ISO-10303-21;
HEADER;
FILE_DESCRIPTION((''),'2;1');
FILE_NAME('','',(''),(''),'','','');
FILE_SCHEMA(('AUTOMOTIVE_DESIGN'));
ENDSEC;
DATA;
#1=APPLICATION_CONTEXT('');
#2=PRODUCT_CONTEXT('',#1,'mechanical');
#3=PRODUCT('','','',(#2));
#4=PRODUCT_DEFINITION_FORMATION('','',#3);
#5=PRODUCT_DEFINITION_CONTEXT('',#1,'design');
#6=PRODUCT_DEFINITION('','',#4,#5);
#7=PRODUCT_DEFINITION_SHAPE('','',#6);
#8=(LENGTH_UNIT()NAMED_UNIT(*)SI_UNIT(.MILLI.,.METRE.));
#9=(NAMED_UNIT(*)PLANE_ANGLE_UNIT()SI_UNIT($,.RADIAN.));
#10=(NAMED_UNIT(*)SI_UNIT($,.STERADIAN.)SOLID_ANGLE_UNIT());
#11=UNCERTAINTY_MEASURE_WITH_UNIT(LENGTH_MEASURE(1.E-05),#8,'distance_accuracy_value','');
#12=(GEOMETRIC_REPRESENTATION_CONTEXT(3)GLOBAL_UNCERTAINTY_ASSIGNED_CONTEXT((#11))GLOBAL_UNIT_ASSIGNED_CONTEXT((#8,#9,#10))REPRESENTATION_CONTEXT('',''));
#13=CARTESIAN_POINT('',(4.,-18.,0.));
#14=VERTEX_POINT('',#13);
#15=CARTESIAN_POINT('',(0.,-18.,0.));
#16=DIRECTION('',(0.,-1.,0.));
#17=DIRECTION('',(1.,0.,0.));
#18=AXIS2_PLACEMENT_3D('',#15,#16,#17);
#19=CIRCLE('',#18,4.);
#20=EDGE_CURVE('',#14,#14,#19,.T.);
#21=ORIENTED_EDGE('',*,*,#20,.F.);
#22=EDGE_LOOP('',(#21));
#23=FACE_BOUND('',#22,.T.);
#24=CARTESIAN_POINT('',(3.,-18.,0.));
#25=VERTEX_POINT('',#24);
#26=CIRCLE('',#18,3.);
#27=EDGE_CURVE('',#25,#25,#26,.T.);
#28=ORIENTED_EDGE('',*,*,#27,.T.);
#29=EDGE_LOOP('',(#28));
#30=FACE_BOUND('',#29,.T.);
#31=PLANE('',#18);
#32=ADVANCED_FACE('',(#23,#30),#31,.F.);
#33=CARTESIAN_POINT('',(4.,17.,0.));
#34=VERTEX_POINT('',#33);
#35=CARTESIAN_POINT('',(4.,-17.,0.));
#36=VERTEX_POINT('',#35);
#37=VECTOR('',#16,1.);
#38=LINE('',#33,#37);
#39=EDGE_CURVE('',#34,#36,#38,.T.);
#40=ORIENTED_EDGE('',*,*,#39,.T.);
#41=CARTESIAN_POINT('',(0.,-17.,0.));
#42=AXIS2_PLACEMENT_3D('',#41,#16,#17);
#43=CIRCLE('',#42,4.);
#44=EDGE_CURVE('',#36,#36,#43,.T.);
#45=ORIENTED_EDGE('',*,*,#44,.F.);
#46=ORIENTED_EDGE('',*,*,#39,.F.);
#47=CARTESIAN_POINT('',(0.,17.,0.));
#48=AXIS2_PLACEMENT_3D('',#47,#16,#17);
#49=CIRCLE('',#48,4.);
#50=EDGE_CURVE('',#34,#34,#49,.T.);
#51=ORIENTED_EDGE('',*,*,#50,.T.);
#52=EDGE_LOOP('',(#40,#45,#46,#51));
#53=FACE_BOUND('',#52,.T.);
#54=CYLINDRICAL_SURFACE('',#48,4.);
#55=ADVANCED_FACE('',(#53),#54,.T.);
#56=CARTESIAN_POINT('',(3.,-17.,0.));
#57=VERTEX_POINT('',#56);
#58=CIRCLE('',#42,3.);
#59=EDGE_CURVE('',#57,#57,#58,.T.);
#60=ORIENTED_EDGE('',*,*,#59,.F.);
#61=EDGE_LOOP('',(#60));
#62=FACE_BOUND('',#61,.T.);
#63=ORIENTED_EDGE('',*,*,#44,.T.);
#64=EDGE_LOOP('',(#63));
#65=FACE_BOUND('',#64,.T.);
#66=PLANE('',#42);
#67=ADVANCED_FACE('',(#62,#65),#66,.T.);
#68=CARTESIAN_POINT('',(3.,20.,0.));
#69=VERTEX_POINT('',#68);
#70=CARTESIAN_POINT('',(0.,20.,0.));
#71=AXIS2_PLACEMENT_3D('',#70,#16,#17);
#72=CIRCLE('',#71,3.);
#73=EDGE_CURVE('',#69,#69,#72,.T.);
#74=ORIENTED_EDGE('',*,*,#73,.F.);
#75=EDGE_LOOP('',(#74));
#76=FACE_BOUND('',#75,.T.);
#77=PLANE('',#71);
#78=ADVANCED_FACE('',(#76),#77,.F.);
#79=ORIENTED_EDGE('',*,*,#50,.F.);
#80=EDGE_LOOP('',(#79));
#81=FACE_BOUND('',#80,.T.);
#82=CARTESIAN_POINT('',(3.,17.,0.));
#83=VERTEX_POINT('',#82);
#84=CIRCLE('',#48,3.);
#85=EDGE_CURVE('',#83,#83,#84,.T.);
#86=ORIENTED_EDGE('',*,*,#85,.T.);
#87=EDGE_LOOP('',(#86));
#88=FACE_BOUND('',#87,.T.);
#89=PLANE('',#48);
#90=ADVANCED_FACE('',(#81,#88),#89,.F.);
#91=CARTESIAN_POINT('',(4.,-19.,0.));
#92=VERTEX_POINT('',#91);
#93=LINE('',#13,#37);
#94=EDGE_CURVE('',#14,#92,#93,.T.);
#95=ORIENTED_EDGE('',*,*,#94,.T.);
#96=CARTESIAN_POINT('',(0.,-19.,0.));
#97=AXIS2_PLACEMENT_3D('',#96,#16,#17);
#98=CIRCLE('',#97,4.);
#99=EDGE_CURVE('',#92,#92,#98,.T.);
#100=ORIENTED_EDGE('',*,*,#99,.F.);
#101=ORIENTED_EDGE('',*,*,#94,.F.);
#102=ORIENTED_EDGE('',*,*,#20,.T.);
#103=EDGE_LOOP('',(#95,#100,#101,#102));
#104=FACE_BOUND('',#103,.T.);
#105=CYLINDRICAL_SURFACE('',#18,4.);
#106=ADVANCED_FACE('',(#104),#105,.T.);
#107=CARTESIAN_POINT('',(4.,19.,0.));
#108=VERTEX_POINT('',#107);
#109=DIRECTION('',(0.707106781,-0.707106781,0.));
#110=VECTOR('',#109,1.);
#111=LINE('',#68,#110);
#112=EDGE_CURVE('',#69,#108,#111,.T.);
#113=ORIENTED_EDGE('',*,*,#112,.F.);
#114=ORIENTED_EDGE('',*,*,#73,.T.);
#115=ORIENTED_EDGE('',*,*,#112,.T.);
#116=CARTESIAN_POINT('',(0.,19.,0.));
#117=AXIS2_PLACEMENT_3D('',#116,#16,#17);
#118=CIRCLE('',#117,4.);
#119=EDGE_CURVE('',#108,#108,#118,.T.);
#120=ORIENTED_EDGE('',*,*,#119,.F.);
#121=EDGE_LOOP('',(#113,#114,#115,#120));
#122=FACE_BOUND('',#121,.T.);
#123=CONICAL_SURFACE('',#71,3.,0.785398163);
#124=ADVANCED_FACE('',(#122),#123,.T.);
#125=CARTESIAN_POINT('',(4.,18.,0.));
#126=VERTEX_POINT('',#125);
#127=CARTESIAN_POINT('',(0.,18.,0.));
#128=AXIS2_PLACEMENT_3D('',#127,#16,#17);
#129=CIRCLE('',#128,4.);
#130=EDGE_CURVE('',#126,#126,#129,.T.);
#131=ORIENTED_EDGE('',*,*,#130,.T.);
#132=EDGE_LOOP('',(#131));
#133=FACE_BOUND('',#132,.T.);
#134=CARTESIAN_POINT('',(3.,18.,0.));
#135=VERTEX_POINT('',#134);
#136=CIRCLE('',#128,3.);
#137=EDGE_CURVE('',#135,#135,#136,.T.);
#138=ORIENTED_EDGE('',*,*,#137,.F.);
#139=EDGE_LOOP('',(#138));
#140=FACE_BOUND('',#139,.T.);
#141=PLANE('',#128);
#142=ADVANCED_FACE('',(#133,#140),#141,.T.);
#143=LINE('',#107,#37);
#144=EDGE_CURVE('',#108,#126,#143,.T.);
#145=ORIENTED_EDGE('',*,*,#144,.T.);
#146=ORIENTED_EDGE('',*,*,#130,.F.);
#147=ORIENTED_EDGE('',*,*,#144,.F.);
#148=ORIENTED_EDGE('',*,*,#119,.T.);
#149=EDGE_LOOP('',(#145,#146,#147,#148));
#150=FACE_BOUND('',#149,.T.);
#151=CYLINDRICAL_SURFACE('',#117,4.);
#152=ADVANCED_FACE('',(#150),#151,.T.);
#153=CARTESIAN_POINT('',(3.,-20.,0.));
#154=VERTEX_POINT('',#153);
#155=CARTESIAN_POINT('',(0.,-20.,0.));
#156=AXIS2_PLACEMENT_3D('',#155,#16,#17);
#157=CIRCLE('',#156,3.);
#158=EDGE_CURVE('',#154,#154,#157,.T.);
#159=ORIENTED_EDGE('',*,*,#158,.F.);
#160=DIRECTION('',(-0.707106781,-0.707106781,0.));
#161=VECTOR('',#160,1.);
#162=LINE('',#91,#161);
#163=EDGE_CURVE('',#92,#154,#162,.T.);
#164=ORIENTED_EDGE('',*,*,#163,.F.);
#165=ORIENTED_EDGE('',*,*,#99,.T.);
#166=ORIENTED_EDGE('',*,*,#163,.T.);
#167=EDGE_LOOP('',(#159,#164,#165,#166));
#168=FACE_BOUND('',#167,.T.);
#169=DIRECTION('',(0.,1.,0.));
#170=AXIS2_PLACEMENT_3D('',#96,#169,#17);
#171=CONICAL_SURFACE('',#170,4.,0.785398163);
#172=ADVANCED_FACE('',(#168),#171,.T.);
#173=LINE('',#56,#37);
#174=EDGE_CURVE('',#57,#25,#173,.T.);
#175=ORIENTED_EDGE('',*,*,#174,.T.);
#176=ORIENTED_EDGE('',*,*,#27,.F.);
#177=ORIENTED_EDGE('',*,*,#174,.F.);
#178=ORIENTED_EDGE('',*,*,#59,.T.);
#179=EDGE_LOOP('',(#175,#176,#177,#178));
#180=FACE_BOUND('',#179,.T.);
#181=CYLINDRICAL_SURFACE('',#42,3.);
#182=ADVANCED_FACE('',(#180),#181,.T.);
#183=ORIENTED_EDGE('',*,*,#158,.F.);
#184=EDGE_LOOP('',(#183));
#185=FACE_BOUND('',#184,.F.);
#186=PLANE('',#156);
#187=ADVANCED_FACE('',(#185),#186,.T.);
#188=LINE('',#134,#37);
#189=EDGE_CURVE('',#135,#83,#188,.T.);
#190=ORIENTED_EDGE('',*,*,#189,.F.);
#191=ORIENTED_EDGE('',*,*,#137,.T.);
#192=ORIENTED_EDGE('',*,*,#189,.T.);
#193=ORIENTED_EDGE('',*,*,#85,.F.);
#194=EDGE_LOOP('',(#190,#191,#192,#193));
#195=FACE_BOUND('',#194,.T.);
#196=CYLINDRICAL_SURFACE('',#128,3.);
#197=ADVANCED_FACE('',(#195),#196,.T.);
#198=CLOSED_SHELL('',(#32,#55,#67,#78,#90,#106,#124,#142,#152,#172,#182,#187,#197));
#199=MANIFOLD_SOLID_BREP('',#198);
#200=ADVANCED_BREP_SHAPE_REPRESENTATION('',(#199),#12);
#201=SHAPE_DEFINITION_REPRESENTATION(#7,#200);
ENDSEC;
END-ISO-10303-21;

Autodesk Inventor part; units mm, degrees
ref_plane "YZ Plane" through (0, 0, 0) normal (1, 0, 0) x (0, 1, 0)
ref_plane "XY Plane" through (0, 0, 0) normal (0, 0, 1) x (1, 0, 0)
sketch "Sketch1" plane through (0, 0, 0) normal (0, 0, 1) x (1, 0, 0)
  line L0 (3, 17) -> (4, 17)
  line L1 (4, 17) -> (4, -17)
  line L2 (4, -17) -> (3, -17)
  line L3 (3, -17) -> (3, -18)
  line L4 (3, -18) -> (4, -18)
  line L5 (4, -18) -> (4, -19)
  line L6 (4, -19) -> (3, -20)
  line L7 (0, 20) -> (3, 20)
  line L8 (3, 20) -> (4, 19)
  line L9 (4, 19) -> (4, 18)
  line L10 (4, 18) -> (3, 18)
  line L11 (3, 18) -> (3, 17)
  line L12 (0, 20) -> (0, -20)
  line L13 (0, -20) -> (3, -20)
  point P0 (0, 0)
  dimension "d4" = 35
  dimension "d5" = 1
  dimension "d6" = 36
  dimension "d7" = 2
revolve "Revolution1" add sketch "Sketch1" angle 360 about axis through (0, 20, 0) along (0, -1, 0)
equation "\"LENGTH\" = 25.4"
properties part number "TU-010"
